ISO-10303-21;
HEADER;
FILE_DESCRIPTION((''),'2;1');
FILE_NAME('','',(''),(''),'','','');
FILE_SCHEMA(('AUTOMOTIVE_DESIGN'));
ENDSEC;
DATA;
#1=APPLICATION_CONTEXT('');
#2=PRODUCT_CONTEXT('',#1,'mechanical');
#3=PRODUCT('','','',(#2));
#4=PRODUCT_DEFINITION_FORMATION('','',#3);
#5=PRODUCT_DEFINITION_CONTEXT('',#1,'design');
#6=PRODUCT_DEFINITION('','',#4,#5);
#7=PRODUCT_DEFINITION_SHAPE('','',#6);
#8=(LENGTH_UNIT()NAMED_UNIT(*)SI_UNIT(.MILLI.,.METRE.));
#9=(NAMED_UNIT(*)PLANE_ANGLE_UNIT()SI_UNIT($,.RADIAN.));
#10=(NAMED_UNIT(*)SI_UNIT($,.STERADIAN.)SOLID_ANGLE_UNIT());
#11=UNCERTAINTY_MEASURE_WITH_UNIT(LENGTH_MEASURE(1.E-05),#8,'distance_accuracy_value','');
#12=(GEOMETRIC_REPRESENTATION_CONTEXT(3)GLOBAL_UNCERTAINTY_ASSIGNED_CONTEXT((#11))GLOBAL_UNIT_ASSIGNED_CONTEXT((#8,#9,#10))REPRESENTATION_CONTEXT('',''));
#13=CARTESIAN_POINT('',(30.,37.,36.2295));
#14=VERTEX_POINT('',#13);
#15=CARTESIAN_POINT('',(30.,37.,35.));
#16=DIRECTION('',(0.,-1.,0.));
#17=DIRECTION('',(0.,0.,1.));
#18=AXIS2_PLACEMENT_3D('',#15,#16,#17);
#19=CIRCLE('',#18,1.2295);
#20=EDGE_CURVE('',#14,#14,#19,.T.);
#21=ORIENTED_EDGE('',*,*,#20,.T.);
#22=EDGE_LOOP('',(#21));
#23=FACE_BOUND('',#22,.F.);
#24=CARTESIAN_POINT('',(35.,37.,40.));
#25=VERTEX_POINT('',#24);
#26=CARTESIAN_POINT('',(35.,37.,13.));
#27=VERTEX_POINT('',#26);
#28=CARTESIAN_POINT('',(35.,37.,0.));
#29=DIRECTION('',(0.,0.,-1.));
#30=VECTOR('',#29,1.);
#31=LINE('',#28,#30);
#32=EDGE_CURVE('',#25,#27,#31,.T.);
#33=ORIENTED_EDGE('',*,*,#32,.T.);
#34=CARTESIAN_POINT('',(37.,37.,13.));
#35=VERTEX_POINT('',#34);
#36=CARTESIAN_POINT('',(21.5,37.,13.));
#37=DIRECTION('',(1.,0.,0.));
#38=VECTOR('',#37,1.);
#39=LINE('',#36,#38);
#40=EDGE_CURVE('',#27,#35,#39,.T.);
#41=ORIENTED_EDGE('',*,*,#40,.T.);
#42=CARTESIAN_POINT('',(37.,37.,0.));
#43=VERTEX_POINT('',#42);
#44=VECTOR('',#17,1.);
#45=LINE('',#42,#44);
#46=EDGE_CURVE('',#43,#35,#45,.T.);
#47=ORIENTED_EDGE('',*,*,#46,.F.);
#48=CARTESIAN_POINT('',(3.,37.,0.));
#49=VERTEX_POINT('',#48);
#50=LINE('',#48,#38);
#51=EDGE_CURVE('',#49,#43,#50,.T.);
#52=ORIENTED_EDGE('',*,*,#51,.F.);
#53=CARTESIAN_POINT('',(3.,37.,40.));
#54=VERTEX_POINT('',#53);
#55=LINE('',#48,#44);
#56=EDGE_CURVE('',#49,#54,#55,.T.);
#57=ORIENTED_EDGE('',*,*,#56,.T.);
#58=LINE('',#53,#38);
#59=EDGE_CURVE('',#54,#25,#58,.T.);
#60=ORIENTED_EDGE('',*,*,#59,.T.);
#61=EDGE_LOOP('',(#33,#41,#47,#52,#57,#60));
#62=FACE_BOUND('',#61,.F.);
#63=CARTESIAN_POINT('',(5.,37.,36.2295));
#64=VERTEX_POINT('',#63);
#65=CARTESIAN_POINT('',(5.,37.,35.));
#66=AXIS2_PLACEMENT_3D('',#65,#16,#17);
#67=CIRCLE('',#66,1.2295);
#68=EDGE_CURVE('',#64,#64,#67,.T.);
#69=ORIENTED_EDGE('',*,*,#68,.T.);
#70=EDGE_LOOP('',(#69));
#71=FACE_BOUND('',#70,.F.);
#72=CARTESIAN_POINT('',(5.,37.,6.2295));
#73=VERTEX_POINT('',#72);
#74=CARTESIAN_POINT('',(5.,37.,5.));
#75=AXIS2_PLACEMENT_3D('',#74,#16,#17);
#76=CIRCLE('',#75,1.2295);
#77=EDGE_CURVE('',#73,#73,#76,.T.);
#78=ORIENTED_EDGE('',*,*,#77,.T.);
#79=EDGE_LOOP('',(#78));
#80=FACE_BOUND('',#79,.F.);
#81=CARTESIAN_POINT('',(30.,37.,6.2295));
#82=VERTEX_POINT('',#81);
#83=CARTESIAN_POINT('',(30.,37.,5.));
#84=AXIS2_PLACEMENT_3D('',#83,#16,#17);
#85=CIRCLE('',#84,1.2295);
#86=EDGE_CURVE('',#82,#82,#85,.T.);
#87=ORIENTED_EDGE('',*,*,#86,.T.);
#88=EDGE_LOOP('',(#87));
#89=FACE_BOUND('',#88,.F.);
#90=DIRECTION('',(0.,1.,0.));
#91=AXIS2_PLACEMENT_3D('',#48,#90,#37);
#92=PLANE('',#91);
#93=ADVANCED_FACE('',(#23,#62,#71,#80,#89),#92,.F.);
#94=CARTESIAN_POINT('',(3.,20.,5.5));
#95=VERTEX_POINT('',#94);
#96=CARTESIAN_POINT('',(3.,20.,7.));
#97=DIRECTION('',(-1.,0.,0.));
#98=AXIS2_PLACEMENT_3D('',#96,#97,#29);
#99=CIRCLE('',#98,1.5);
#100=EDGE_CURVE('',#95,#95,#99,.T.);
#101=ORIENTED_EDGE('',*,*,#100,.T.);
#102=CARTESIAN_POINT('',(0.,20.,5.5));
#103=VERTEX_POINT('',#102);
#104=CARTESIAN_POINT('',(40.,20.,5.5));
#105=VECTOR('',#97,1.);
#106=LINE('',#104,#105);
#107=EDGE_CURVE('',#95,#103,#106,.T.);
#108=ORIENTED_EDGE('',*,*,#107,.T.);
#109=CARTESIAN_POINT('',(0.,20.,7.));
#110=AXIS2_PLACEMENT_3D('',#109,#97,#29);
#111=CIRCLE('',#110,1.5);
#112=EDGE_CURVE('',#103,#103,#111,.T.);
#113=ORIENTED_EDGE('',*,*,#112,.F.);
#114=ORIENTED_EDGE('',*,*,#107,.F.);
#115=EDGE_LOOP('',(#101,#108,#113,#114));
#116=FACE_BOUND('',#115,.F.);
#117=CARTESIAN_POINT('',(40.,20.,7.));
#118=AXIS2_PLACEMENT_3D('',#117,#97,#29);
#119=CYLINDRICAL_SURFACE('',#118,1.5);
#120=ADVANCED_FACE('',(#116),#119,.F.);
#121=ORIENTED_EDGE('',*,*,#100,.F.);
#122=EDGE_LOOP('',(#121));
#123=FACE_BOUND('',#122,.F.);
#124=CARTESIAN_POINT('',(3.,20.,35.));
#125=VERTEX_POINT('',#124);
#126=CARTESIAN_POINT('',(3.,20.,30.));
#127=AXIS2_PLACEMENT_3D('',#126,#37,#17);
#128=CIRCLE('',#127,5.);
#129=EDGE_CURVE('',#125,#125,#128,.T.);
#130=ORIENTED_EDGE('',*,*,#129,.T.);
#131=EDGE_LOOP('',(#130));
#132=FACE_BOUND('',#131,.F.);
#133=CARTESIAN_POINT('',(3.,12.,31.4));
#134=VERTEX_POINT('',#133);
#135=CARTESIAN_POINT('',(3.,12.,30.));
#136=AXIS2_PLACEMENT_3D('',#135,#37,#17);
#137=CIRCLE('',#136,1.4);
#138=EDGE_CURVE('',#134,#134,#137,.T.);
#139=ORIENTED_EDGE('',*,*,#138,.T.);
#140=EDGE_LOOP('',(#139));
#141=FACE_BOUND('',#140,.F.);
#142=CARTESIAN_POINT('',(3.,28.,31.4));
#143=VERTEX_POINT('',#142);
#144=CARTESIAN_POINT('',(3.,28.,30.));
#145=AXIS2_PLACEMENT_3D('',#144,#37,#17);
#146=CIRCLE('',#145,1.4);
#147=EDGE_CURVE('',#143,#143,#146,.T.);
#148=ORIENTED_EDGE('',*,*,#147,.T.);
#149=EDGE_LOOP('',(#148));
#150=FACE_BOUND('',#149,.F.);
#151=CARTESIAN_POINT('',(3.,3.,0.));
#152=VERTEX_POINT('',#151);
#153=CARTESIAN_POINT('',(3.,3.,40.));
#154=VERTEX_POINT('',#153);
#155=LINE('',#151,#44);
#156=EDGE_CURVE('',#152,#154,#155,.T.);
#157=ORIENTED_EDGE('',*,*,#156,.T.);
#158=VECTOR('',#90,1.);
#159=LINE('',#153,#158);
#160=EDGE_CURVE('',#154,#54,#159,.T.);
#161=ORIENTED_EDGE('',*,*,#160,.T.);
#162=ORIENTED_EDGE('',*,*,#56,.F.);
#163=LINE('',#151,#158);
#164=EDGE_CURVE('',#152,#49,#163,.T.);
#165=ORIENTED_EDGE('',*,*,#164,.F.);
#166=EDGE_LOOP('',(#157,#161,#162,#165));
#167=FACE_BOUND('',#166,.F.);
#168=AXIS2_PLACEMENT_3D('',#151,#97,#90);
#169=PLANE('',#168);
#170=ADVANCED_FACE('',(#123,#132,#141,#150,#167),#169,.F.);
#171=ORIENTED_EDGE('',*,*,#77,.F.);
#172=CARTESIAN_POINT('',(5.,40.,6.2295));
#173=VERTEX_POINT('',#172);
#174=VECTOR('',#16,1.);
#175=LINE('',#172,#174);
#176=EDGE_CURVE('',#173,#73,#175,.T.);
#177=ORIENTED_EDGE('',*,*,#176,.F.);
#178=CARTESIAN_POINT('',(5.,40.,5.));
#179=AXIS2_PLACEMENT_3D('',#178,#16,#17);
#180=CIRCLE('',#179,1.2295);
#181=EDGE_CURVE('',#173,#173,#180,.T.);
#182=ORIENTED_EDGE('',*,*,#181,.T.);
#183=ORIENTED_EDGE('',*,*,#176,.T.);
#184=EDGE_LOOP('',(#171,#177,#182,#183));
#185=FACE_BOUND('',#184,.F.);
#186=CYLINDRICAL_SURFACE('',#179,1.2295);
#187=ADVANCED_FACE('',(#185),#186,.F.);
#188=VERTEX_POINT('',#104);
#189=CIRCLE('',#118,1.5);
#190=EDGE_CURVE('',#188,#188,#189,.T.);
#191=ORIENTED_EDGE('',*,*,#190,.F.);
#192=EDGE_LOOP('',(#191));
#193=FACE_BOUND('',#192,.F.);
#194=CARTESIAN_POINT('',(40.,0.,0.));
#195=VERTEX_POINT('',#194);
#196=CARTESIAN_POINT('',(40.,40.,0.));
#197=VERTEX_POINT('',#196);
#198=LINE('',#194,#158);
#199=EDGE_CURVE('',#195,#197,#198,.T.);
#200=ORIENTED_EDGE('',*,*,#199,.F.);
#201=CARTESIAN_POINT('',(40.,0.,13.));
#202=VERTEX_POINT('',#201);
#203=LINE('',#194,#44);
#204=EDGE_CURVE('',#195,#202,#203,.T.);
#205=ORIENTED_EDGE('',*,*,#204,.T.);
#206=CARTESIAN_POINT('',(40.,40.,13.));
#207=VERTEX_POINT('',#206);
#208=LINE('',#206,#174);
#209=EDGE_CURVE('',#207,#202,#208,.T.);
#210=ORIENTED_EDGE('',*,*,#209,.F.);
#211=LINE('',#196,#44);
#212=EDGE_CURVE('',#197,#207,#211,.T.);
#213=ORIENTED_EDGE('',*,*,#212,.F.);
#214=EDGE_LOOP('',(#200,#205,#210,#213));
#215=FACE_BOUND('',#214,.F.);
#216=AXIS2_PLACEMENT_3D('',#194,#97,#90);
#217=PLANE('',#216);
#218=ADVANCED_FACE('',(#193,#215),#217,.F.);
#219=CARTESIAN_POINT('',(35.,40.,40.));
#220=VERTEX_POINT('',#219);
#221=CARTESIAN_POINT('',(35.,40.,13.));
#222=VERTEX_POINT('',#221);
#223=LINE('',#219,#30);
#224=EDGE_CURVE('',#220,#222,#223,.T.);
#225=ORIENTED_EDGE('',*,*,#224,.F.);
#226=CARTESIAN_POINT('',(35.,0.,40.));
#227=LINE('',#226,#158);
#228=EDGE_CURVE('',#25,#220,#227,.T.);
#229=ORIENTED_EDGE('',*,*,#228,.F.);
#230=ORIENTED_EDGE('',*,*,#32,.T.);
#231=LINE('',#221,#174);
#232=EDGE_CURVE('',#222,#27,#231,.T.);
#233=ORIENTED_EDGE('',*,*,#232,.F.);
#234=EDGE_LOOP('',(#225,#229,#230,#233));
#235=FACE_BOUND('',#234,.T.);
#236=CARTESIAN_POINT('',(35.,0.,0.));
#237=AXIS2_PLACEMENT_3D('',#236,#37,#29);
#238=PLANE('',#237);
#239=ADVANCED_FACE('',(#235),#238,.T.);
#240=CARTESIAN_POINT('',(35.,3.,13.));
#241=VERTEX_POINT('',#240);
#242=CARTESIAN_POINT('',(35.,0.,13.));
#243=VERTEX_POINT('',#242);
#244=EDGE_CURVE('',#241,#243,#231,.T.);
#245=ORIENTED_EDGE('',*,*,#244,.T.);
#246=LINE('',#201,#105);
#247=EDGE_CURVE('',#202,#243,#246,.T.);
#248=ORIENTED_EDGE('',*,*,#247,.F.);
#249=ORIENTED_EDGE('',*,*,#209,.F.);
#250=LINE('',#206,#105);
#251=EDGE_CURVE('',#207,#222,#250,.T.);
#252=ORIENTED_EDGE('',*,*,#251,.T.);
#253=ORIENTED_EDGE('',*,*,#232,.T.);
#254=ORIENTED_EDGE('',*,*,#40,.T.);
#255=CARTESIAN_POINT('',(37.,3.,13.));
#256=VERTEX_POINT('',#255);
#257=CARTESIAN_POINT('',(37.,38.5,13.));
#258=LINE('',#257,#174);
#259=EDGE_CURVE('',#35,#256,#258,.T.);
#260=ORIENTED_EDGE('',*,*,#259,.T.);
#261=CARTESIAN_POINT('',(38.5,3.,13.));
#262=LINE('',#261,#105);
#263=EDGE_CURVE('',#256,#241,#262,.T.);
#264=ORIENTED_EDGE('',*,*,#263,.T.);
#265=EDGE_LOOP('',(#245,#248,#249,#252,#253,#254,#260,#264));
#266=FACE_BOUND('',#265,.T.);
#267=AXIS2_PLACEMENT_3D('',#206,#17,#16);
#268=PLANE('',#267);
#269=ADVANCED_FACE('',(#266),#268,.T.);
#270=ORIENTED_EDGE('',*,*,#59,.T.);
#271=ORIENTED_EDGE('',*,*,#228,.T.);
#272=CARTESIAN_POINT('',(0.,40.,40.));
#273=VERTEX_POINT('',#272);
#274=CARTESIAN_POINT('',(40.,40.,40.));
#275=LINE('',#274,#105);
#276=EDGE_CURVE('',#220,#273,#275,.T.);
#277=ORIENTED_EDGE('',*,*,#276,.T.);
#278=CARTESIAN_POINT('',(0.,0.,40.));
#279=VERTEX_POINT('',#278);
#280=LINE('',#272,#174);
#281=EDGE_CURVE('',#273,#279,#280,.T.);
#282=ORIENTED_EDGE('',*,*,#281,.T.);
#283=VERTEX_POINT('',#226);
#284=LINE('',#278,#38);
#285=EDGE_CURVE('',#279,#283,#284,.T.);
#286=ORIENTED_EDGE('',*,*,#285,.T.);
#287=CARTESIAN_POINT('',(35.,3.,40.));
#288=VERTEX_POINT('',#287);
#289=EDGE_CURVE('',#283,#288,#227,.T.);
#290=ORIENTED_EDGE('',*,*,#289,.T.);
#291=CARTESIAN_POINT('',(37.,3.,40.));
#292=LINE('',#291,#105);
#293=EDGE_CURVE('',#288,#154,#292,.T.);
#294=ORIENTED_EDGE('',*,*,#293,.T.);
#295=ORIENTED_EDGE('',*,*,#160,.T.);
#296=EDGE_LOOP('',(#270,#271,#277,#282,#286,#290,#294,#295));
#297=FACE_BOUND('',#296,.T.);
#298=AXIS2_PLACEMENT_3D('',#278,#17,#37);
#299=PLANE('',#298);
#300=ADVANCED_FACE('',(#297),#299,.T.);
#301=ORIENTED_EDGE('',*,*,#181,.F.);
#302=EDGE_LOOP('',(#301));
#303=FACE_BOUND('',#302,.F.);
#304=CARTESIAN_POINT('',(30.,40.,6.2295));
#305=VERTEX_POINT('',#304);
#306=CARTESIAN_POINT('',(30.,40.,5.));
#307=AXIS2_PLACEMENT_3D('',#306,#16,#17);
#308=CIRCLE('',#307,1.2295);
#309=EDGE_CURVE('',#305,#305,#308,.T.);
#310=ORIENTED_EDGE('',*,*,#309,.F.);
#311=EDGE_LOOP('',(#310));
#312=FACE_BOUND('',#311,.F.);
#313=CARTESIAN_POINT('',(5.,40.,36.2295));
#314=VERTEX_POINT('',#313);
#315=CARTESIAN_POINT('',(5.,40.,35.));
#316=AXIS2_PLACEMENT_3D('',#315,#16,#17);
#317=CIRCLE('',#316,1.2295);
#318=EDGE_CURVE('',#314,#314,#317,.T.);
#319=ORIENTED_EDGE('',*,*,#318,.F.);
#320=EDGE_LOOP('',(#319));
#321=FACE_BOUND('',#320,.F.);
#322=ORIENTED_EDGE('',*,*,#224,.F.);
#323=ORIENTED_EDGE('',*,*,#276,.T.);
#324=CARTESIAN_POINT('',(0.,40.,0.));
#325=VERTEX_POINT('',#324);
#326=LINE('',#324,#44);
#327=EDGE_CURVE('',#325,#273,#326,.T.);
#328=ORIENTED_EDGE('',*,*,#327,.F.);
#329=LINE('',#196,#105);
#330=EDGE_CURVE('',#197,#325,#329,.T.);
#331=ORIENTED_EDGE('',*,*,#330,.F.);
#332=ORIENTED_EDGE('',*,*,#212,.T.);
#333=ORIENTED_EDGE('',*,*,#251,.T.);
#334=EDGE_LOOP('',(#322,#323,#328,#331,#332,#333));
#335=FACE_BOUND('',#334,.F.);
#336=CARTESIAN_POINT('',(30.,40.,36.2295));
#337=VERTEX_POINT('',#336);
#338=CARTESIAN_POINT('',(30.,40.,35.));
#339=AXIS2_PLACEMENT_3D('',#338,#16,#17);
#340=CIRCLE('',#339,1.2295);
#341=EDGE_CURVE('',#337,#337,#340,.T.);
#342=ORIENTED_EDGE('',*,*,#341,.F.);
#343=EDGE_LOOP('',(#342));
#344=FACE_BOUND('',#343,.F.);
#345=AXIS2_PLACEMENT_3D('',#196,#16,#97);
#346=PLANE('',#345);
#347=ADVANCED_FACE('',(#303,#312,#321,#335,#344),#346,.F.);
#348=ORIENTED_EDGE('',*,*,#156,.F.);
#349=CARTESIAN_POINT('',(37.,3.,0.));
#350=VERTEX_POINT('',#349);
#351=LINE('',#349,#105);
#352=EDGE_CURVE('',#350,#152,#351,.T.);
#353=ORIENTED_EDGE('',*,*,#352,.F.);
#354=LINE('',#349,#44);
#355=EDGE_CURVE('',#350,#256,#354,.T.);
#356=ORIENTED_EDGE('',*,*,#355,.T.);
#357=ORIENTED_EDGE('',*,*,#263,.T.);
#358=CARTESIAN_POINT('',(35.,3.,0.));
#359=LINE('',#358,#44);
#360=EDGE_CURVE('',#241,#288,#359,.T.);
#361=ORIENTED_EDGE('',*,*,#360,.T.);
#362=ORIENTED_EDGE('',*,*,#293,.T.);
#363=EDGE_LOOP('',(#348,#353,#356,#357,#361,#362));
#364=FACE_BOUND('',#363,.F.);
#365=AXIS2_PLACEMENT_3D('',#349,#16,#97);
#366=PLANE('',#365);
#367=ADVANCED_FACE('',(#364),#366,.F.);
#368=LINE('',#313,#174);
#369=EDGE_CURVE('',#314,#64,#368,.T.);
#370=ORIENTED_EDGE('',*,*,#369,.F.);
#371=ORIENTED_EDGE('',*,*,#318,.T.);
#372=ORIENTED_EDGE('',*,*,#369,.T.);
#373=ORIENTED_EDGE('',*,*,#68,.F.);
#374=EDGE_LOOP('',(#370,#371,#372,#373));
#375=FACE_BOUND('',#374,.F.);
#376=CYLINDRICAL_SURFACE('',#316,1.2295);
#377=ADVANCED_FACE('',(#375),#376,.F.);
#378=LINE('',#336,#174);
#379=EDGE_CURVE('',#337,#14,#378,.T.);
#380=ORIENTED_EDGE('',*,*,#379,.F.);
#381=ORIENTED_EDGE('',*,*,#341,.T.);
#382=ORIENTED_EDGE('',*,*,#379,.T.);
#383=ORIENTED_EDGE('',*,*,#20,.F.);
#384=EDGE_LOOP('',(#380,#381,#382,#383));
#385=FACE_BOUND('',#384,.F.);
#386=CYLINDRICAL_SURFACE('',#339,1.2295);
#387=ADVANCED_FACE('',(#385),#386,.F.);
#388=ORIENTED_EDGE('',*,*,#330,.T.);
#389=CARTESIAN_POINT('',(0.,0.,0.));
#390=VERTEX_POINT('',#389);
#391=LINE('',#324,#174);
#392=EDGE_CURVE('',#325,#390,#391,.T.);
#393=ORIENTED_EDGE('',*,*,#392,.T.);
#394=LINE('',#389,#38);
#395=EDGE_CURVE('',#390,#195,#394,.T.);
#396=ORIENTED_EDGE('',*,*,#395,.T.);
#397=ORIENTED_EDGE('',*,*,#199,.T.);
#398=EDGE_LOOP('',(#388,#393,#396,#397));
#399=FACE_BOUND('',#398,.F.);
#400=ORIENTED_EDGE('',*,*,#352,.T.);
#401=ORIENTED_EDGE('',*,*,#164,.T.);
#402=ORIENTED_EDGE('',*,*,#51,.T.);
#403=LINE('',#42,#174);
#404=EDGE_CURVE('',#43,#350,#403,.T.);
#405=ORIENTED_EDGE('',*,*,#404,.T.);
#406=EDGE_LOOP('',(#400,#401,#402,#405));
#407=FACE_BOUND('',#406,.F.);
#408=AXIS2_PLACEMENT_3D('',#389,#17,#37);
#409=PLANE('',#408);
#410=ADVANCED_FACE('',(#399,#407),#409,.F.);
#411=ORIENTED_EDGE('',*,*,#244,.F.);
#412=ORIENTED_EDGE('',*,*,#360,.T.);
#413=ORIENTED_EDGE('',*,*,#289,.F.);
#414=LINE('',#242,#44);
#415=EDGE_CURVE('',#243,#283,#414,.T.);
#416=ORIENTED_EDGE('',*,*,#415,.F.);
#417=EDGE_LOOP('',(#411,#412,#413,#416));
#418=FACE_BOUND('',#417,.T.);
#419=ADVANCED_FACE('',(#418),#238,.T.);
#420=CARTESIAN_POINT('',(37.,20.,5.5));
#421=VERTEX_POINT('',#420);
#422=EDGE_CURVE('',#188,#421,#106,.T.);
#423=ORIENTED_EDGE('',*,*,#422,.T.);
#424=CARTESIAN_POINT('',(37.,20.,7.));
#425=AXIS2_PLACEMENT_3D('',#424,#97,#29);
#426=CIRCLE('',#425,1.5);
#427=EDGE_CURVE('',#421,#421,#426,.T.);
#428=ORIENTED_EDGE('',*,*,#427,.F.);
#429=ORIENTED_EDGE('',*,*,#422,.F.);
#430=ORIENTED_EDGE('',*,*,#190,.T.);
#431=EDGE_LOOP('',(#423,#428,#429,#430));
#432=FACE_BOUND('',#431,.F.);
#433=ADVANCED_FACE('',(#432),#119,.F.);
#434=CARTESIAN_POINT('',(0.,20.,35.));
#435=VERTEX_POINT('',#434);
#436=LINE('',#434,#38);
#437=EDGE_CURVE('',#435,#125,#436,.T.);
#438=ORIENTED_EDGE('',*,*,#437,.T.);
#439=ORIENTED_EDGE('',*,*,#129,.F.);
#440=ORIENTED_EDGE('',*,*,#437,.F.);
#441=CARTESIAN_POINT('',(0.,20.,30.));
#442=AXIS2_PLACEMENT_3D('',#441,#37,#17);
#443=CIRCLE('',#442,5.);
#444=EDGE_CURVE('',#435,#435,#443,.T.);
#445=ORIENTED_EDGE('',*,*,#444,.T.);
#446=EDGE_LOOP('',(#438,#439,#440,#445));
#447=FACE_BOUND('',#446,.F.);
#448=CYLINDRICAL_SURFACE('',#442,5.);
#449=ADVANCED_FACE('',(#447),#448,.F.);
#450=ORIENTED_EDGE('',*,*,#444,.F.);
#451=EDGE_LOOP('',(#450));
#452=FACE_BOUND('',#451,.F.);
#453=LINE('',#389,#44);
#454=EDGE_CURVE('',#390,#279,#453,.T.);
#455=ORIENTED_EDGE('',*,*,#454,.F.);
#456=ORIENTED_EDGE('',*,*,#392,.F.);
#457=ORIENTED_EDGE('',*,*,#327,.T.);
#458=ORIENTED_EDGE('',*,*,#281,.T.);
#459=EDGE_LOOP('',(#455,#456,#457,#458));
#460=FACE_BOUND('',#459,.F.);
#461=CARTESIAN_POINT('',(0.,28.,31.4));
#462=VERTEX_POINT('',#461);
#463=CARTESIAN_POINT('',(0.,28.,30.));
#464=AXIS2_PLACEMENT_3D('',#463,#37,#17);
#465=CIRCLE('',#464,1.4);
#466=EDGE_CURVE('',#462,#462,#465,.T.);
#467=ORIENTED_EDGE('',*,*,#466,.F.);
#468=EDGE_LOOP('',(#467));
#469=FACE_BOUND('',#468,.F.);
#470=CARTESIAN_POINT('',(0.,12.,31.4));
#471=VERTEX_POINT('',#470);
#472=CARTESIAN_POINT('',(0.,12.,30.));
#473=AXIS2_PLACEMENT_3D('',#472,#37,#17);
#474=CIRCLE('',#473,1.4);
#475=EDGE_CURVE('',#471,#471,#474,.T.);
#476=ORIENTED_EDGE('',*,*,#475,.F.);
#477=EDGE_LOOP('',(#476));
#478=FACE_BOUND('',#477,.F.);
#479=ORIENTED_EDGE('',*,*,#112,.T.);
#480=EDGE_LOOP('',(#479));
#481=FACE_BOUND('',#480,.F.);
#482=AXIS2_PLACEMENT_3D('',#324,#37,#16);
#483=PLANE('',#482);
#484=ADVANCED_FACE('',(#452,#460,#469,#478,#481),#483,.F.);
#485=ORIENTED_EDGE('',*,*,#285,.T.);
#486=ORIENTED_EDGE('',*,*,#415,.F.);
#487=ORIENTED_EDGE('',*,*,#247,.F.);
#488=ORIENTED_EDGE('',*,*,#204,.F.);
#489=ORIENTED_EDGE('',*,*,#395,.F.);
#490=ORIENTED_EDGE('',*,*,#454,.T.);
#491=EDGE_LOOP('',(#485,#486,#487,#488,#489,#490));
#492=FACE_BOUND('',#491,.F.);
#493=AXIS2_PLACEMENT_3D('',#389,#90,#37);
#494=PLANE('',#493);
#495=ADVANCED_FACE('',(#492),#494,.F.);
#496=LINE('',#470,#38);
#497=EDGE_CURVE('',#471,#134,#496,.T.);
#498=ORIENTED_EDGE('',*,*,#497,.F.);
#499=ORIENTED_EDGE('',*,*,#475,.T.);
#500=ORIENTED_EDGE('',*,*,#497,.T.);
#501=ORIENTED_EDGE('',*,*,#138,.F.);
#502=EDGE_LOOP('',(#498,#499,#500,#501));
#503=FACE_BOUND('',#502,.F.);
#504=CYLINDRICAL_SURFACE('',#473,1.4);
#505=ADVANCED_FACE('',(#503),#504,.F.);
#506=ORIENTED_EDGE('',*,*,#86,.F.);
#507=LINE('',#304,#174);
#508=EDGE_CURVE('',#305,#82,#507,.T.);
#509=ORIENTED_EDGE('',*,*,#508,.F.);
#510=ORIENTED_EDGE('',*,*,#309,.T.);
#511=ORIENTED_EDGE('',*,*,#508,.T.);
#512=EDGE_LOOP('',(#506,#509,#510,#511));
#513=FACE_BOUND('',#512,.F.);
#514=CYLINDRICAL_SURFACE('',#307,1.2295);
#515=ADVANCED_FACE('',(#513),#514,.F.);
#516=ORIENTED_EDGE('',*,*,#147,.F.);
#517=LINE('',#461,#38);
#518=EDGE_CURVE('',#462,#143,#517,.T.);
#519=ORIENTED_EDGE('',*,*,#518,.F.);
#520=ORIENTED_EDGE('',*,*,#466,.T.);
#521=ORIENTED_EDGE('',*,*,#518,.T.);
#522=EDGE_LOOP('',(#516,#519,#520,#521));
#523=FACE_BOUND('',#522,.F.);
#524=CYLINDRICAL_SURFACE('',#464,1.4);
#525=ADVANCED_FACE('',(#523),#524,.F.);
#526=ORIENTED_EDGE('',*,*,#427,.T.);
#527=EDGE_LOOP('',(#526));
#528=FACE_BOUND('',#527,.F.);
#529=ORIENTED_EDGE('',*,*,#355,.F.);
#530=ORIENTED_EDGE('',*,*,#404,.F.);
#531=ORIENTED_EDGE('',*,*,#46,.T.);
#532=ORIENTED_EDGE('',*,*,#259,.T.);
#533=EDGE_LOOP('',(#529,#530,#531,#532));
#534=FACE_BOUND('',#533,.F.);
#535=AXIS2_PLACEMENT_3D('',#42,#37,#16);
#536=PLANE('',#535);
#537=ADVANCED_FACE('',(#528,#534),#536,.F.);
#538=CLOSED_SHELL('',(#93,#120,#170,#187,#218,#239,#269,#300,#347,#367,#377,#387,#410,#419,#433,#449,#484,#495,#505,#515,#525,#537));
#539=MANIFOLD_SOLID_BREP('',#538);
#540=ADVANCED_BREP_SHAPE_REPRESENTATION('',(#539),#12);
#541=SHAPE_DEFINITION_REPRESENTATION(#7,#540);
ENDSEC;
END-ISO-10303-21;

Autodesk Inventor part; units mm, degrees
ref_plane "YZ Plane" through (0, 0, 0) normal (1, 0, 0) x (0, 1, 0)
ref_plane "XZ Plane" through (0, 0, 0) normal (0, 1, 0) x (-1, 0, 0)
ref_plane "XY Plane" through (0, 0, 0) normal (0, 0, 1) x (1, 0, 0)
sketch "スケッチ1" plane through (0, 0, 0) normal (0, 0, 1) x (1, 0, 0)
  line L0 (0, 0) -> (40, 0)
  line L1 (40, 0) -> (40, 40)
  line L2 (40, 40) -> (0, 40)
  line L3 (0, 40) -> (0, 0)
  line L4 (3, 37) -> (37, 37)
  line L5 (37, 37) -> (37, 3)
  line L6 (37, 3) -> (3, 3)
  line L7 (3, 3) -> (3, 37)
  dimension "d0" = 40
  dimension "d1" = 40
  dimension "d2" = 34
extrude "押し出し1" add sketch "スケッチ1" along normal blind 40
sketch "スケッチ2" plane through (40, 0, 0) normal (1, 0, 0) x (0, 0, -1)
  line L0 (-40, 40) -> (-13, 40)
  line L1 (-13, 40) -> (-13, 0)
  line L2 (-13, 0) -> (-40, 0)
  line L3 (-40, 0) -> (-40, 40)
  point P0 (0, 0)
  dimension "d5" = 27
extrude "押し出し2" cut sketch "スケッチ2" against normal blind 5
sketch "スケッチ3" plane through (40, 0, 0) normal (1, 0, 0) x (0, 0, -1)
  line L0 (-13, 3) -> (-13, 37) projected
  line L1 (0, 37) -> (0, 3) projected
  line L2 (-40, 3) -> (-40, 37) construction
  line L3 (-13, 20) -> (0, 20) construction
  point P0 (0, 0)
  point P1 (-7, 20)
  dimension "d68" = 33
hole "穴1" at (40, 20, 7) direction (-1, 0, 0) diameter 3 end through all
sketch "スケッチ5" plane through (0, 0, 0) normal (-1, 0, 0) x (0, 0, 1)
  line L0 (40, 40) -> (40, 0) projected
  line L1 (40, 20) -> (0, 20) construction
  line L2 (0, 3) -> (0, 37) projected
  point P0 (0, 0)
  point P1 (30, 20)
  dimension "d34" = 10
hole "穴3" at (0, 20, 30) direction (1, 0, 0) diameter 10 end through all
sketch "スケッチ6" plane through (0, 0, 0) normal (-1, 0, 0) x (0, 0, 1)
  line L0 (40, 3) -> (40, 37) projected
  line L1 (40, 20) -> (0, 20) construction
  line L2 (0, 3) -> (0, 37) projected
  line L3 (0, 0) -> (40, 0) projected
  point P0 (30, 12)
  point P1 (30, 28)
  dimension "d42" = 10
  dimension "d43" = 12
hole "穴4" at (0, 12, 30) at (0, 28, 30) direction (1, 0, 0) diameter 2.8 end through all
sketch "スケッチ7" plane through (0, 40, 0) normal (0, 1, 0) x (1, 0, 0)
  line L0 (35, -40) -> (0, -40) projected
  line L1 (0, 0) -> (0, -40) projected
  point P0 (5, -35)
  point P1 (5, -5)
  point P2 (30, -35)
  point P3 (30, -5)
  dimension "d51" = 5
  dimension "d52" = 5
  dimension "d55" = 30
  dimension "d58" = 25
hole "穴5" at (5, 40, 35) at (5, 40, 5) at (30, 40, 35) at (30, 40, 5) direction (0, -1, 0) diameter 2.459 depth 3 thread size "M3x0.5" class "6H" standard "ISO Metric profile"
properties part number "RD007"
